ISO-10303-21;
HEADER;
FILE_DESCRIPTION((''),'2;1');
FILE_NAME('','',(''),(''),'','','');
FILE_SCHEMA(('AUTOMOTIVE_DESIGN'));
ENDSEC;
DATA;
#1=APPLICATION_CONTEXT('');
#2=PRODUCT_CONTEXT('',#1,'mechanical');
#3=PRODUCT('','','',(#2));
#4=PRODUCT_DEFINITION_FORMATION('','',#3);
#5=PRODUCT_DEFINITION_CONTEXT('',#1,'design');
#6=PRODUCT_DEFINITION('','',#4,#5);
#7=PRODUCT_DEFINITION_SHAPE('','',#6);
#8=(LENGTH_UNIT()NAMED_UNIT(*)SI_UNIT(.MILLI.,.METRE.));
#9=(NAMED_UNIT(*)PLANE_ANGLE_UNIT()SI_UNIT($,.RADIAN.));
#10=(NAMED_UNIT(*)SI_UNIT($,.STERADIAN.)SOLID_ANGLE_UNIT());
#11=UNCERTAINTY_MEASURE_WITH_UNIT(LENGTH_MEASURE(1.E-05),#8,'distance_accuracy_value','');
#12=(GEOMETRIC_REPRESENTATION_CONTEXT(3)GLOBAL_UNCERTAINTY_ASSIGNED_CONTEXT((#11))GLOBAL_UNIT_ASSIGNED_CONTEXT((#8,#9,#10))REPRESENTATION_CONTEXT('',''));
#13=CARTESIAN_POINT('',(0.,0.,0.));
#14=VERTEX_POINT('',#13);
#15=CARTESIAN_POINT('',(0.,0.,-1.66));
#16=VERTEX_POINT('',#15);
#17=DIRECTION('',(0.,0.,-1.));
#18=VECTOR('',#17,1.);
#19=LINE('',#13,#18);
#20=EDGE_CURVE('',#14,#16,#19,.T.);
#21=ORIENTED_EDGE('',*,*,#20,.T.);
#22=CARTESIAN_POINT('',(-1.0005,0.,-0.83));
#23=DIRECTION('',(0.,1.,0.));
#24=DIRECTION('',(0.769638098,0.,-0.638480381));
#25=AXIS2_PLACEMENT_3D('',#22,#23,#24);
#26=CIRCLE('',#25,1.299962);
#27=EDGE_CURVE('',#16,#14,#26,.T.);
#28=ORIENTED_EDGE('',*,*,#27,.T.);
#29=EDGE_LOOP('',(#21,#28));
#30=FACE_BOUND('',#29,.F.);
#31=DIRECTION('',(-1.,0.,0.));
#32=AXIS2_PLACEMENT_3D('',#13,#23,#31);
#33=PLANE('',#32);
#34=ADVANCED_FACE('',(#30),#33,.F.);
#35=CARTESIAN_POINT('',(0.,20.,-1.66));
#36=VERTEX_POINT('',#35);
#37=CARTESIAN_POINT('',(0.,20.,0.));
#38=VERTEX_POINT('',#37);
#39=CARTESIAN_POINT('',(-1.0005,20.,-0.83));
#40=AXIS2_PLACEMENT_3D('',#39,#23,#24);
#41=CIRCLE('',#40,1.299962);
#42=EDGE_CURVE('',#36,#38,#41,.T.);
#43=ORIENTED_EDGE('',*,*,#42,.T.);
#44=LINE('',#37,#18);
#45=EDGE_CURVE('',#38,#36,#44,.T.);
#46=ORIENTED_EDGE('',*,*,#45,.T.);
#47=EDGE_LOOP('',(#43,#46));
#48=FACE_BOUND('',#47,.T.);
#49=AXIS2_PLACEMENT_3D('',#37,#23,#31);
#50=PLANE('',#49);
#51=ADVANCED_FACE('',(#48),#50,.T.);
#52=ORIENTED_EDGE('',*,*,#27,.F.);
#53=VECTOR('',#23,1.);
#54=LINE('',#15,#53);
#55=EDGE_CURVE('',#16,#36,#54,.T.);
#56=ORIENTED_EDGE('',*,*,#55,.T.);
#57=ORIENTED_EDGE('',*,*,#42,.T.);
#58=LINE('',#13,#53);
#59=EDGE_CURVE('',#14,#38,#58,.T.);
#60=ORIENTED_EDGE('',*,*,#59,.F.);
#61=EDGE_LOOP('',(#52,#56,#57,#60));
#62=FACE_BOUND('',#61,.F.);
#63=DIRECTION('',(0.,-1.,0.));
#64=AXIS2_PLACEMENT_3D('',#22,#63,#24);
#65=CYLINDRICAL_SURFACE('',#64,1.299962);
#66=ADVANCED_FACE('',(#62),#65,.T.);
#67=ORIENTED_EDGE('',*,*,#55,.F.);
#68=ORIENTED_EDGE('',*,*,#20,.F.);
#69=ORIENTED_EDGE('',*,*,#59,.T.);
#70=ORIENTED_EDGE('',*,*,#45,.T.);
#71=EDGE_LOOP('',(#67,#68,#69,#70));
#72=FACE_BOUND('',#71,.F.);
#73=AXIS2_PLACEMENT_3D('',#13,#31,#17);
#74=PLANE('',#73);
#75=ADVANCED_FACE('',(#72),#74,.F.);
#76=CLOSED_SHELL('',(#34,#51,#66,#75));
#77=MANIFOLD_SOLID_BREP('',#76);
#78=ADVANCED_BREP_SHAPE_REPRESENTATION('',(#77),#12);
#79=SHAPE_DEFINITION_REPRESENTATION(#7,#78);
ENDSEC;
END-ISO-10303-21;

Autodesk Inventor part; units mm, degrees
ref_plane "YZ Plane" through (0, 0, 0) normal (1, 0, 0) x (0, 1, 0)
ref_plane "XZ Plane" through (0, 0, 0) normal (0, 1, 0) x (-1, 0, 0)
ref_plane "XY Plane" through (0, 0, 0) normal (0, 0, 1) x (1, 0, 0)
sketch "Sketch1" plane through (0, 0, 0) normal (0, 1, 0) x (-1, 0, 0)
  line L0 (0, 0) -> (0, -1.66)
  arc A0 (0, -1.66) -> (0, 0) centre (1.0005, -0.83) ccw
  dimension "d0" = 1.66
  dimension "d1" = 1.3
extrude "Extrusion1" add sketch "Sketch1" along normal blind 20
properties part number "tronco_ruote"
